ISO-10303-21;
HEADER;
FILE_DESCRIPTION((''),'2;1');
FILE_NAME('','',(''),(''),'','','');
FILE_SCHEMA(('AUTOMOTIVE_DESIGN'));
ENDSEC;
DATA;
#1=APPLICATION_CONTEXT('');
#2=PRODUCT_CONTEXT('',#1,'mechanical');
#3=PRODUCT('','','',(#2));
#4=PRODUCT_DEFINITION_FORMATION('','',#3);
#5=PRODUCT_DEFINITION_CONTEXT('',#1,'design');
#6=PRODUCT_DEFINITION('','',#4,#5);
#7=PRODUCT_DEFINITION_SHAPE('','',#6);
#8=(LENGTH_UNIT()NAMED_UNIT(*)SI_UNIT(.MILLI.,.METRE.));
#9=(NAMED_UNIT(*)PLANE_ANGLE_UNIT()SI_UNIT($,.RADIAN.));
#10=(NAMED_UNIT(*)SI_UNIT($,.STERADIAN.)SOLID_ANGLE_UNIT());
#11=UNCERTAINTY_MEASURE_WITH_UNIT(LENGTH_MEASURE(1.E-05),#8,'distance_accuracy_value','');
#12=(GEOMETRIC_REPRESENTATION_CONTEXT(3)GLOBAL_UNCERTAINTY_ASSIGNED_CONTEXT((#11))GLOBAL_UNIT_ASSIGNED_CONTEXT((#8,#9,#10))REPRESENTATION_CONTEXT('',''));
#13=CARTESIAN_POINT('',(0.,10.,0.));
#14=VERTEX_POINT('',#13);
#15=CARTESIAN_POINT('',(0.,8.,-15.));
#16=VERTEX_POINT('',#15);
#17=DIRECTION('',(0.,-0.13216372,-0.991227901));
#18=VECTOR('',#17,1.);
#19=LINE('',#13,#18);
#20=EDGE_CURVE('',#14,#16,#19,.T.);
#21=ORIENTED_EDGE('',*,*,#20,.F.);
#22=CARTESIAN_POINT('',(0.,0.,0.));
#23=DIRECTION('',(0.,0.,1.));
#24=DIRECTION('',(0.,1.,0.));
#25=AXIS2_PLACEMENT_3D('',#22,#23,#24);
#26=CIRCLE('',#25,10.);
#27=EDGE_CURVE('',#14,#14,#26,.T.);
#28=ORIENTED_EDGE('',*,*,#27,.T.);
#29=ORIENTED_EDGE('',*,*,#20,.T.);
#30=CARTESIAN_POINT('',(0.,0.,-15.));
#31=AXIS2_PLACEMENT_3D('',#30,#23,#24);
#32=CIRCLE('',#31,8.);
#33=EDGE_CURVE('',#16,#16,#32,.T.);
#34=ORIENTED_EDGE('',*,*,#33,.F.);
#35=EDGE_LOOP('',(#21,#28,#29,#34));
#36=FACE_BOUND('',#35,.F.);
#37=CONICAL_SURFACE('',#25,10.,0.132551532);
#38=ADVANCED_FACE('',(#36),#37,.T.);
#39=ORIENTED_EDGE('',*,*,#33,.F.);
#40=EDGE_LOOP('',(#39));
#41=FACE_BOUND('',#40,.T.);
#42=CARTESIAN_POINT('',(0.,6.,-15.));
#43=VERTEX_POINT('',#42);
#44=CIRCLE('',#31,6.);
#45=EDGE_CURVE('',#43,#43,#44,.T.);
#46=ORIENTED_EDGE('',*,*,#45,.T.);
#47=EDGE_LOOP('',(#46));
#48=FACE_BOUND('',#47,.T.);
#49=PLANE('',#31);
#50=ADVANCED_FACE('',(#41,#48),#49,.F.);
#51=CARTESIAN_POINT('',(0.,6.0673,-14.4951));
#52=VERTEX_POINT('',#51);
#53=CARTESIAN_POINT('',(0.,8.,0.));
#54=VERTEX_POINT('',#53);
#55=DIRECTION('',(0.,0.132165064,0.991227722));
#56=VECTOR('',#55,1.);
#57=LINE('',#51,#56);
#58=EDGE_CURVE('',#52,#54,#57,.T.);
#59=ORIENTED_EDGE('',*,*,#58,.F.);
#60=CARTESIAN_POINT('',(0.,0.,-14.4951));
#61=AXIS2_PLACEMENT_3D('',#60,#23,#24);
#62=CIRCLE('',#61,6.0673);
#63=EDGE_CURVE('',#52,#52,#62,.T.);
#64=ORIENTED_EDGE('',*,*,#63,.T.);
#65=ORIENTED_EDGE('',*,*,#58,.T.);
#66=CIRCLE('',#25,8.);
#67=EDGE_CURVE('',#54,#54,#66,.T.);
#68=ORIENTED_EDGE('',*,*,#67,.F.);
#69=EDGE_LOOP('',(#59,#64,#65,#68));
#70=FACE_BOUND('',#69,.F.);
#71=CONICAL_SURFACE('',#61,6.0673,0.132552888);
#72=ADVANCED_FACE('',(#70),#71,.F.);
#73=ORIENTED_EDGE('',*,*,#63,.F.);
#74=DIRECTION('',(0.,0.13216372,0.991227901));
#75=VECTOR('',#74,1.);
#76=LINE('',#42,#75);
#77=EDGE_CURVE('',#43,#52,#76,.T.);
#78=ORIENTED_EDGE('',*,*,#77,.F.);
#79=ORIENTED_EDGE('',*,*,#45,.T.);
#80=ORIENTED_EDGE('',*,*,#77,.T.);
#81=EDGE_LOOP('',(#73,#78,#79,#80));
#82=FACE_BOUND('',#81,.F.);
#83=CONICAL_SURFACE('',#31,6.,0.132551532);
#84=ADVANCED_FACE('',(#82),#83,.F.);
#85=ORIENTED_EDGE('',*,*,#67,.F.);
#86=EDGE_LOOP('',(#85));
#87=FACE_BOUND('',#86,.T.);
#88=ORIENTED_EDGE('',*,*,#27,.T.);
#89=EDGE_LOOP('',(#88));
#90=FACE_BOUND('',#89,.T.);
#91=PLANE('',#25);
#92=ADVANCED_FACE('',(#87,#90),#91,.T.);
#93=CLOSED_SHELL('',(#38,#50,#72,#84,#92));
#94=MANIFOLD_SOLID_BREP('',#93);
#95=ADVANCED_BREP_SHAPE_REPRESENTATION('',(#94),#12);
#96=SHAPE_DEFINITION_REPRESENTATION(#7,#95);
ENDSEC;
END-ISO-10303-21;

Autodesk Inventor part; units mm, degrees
ref_plane "YZ Plane" through (0, 0, 0) normal (1, 0, 0) x (0, 1, 0)
ref_plane "XZ Plane" through (0, 0, 0) normal (0, 1, 0) x (-1, 0, 0)
ref_plane "XY Plane" through (0, 0, 0) normal (0, 0, 1) x (1, 0, 0)
sketch "Skizze4" plane through (0, 0, 0) normal (1, 0, 0) x (0, 1, 0)
  line L0 (-2, 0) -> (12, 0) construction
  line L1 (0, -18) -> (0, 3) projected
  line L2 (10, 0) -> (8, -15)
  line L3 (6.0673, -14.4951) -> (8, 0)
  line L4 (6, -15) -> (8, 0)
  line L5 (10, 0) -> (8, 0)
  line L6 (6, -15) -> (8, -15)
  point P0 (0, 0)
  dimension "d6" = 20
  dimension "d7" = 12
  dimension "d8" = 2
  dimension "d9" = 15
revolve "Umdrehung1" add sketch "Skizze4" angle 360 about axis through (0, 0, -10) along (0, 0, 1)
properties part number "Lampignon_20x15" material "geeigneten Werkstoff auswählen !"
